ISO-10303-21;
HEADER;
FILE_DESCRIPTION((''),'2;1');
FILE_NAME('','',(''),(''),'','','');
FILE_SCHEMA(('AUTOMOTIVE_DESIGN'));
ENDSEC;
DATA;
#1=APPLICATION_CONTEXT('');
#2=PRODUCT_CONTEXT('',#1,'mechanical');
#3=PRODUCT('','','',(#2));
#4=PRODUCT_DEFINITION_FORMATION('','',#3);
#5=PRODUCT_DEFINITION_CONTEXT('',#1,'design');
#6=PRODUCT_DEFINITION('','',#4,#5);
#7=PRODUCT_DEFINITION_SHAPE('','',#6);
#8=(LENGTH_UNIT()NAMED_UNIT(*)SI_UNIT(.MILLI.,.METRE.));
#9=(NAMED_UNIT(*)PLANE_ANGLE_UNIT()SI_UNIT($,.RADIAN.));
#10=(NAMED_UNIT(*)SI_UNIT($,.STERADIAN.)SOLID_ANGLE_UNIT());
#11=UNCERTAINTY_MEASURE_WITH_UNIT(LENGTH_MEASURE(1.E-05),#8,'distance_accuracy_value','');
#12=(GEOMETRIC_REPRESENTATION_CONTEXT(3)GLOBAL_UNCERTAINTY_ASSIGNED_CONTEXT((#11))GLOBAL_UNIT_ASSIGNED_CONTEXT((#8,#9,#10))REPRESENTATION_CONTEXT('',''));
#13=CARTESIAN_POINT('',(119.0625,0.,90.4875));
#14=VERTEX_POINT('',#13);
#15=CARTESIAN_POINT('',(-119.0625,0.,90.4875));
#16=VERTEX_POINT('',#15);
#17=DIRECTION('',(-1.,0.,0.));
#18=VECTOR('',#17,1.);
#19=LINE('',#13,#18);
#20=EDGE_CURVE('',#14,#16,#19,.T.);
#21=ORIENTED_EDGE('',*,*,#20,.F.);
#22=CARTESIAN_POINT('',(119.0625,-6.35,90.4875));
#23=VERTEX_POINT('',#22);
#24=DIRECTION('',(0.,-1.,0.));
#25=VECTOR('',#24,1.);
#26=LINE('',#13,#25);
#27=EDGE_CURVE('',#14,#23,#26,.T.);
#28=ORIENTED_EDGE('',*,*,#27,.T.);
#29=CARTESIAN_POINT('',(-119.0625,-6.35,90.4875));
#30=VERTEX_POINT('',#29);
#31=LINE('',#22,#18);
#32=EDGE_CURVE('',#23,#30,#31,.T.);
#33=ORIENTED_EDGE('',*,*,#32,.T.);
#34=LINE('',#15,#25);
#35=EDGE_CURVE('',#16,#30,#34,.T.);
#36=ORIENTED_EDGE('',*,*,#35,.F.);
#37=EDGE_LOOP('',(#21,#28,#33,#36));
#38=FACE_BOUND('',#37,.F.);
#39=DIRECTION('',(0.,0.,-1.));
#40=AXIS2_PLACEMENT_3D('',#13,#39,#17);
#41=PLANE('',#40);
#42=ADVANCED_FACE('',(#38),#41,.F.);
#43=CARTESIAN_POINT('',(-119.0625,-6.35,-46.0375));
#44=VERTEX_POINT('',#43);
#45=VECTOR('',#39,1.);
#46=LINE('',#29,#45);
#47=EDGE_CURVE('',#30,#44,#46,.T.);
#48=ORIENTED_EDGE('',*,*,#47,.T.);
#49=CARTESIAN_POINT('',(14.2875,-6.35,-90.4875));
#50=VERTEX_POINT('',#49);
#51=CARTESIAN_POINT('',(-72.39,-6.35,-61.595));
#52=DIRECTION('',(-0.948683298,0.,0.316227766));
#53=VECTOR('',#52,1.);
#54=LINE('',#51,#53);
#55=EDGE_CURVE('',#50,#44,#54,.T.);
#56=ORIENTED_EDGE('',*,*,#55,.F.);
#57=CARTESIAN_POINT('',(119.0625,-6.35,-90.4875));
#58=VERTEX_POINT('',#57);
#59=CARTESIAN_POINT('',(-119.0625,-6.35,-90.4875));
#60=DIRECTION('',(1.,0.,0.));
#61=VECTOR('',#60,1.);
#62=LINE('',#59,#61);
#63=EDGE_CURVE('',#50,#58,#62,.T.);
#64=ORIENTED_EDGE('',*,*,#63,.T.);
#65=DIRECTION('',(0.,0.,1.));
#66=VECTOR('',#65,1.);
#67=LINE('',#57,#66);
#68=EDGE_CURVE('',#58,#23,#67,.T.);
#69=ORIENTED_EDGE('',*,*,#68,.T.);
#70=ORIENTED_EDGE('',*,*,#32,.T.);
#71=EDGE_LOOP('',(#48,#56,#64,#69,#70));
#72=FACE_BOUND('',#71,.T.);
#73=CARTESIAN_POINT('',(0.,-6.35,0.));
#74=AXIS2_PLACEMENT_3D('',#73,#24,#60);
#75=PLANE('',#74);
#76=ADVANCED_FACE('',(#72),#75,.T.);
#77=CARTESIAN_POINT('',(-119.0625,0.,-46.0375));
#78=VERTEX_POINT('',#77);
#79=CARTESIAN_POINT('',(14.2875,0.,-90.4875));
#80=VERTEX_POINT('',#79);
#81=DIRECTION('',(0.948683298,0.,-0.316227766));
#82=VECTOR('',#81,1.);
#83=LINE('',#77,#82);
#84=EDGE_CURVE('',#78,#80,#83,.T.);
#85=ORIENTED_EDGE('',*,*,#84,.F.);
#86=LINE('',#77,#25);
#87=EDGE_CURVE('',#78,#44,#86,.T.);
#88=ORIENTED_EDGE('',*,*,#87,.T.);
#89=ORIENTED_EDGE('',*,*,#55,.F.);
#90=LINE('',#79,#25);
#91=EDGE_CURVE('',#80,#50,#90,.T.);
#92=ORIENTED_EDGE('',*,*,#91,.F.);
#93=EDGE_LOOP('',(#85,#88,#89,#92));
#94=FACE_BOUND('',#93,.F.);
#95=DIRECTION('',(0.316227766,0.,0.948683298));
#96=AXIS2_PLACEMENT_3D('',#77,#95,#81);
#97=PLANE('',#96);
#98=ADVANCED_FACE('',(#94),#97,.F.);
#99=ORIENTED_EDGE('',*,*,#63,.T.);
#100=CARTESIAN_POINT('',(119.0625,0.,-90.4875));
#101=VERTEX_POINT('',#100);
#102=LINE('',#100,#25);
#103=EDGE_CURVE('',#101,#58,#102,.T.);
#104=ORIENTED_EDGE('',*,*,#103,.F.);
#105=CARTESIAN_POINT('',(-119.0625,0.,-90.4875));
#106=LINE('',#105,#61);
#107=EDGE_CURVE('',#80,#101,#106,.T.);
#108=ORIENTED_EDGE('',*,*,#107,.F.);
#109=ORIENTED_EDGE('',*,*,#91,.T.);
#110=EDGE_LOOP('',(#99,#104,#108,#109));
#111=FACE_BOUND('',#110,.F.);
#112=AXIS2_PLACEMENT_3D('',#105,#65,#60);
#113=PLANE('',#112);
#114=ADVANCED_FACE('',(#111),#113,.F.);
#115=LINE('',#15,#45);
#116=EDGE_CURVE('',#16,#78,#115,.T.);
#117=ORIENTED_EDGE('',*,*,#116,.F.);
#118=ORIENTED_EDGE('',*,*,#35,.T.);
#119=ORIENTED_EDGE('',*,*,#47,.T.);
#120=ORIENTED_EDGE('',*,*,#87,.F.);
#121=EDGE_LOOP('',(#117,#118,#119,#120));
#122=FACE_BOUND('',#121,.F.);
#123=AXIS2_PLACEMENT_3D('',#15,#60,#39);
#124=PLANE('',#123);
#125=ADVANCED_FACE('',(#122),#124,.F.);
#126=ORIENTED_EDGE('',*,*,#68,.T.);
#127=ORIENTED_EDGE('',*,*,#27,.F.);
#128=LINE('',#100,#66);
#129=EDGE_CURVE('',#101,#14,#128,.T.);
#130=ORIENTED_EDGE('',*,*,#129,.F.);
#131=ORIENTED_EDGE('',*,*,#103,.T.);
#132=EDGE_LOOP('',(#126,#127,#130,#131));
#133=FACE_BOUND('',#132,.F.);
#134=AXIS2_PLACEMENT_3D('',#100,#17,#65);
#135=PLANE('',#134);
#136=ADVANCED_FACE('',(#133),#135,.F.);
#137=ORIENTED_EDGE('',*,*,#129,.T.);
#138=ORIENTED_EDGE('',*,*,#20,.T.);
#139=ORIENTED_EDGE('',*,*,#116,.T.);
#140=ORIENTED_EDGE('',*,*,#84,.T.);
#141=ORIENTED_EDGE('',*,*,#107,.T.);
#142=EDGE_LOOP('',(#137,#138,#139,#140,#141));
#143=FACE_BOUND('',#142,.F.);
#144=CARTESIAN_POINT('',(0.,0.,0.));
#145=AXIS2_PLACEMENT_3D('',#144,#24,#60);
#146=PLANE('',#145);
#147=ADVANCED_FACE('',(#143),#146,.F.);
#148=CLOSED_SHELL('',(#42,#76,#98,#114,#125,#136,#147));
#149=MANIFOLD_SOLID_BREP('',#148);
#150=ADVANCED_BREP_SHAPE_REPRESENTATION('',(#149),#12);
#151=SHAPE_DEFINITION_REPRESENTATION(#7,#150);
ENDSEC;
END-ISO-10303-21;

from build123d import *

# Parameters (mm, degrees)
F1_DEPTH = 6.35
F3_DEPTH = 25.4


with BuildPart() as f1:
    # F0 (on Front) → F1 (new body)
    with BuildSketch(Plane.XZ):
        with BuildLine():
            ThreePointArc((119.0625, 77.7875), (115.342756, 86.767756), (106.3625, 90.4875))
            Line((106.3625, 90.4875), (-106.3625, 90.4875))
            ThreePointArc((-106.3625, 90.4875), (-115.342756, 86.767756), (-119.0625, 77.7875))
            Line((-119.0625, 77.7875), (-119.0625, -77.7875))
            ThreePointArc((-119.0625, -77.7875), (-115.342756, -86.767756), (-106.3625, -90.4875))
            Line((-106.3625, -90.4875), (106.3625, -90.4875))
            ThreePointArc((106.3625, -90.4875), (115.342756, -86.767756), (119.0625, -77.7875))
            Line((119.0625, -77.7875), (119.0625, 77.7875))
        make_face()
        with BuildLine():
            Line((119.0625, 90.4875), (106.3625, 90.4875))
            ThreePointArc((106.3625, 90.4875), (115.342756, 86.767756), (119.0625, 77.7875))
            Line((119.0625, 77.7875), (119.0625, 90.4875))
        make_face()
        with BuildLine():
            ThreePointArc((-119.0625, 77.7875), (-115.342756, 86.767756), (-106.3625, 90.4875))
            Line((-106.3625, 90.4875), (-119.0625, 90.4875))
            Line((-119.0625, 90.4875), (-119.0625, 77.7875))
        make_face()
        with BuildLine():
            Line((119.0625, -90.4875), (119.0625, -77.7875))
            ThreePointArc((119.0625, -77.7875), (115.342756, -86.767756), (106.3625, -90.4875))
            Line((106.3625, -90.4875), (119.0625, -90.4875))
        make_face()
        with BuildLine():
            ThreePointArc((-106.3625, -90.4875), (-115.342756, -86.767756), (-119.0625, -77.7875))
            Line((-119.0625, -77.7875), (-119.0625, -90.4875))
            Line((-119.0625, -90.4875), (-106.3625, -90.4875))
        make_face()
    extrude(amount=F1_DEPTH)

    # F2 (on face) → F3 (cut)
    with BuildSketch(Plane(origin=(0, 0, 0), x_dir=(-1, 0, 0), z_dir=(0, 1, 0))):
        Polygon((-14.2875, -90.4875), (119.0625, -90.4875), (119.0625, -46.0375), align=None)
    extrude(amount=-F3_DEPTH, mode=Mode.SUBTRACT)


solid = f1.part
